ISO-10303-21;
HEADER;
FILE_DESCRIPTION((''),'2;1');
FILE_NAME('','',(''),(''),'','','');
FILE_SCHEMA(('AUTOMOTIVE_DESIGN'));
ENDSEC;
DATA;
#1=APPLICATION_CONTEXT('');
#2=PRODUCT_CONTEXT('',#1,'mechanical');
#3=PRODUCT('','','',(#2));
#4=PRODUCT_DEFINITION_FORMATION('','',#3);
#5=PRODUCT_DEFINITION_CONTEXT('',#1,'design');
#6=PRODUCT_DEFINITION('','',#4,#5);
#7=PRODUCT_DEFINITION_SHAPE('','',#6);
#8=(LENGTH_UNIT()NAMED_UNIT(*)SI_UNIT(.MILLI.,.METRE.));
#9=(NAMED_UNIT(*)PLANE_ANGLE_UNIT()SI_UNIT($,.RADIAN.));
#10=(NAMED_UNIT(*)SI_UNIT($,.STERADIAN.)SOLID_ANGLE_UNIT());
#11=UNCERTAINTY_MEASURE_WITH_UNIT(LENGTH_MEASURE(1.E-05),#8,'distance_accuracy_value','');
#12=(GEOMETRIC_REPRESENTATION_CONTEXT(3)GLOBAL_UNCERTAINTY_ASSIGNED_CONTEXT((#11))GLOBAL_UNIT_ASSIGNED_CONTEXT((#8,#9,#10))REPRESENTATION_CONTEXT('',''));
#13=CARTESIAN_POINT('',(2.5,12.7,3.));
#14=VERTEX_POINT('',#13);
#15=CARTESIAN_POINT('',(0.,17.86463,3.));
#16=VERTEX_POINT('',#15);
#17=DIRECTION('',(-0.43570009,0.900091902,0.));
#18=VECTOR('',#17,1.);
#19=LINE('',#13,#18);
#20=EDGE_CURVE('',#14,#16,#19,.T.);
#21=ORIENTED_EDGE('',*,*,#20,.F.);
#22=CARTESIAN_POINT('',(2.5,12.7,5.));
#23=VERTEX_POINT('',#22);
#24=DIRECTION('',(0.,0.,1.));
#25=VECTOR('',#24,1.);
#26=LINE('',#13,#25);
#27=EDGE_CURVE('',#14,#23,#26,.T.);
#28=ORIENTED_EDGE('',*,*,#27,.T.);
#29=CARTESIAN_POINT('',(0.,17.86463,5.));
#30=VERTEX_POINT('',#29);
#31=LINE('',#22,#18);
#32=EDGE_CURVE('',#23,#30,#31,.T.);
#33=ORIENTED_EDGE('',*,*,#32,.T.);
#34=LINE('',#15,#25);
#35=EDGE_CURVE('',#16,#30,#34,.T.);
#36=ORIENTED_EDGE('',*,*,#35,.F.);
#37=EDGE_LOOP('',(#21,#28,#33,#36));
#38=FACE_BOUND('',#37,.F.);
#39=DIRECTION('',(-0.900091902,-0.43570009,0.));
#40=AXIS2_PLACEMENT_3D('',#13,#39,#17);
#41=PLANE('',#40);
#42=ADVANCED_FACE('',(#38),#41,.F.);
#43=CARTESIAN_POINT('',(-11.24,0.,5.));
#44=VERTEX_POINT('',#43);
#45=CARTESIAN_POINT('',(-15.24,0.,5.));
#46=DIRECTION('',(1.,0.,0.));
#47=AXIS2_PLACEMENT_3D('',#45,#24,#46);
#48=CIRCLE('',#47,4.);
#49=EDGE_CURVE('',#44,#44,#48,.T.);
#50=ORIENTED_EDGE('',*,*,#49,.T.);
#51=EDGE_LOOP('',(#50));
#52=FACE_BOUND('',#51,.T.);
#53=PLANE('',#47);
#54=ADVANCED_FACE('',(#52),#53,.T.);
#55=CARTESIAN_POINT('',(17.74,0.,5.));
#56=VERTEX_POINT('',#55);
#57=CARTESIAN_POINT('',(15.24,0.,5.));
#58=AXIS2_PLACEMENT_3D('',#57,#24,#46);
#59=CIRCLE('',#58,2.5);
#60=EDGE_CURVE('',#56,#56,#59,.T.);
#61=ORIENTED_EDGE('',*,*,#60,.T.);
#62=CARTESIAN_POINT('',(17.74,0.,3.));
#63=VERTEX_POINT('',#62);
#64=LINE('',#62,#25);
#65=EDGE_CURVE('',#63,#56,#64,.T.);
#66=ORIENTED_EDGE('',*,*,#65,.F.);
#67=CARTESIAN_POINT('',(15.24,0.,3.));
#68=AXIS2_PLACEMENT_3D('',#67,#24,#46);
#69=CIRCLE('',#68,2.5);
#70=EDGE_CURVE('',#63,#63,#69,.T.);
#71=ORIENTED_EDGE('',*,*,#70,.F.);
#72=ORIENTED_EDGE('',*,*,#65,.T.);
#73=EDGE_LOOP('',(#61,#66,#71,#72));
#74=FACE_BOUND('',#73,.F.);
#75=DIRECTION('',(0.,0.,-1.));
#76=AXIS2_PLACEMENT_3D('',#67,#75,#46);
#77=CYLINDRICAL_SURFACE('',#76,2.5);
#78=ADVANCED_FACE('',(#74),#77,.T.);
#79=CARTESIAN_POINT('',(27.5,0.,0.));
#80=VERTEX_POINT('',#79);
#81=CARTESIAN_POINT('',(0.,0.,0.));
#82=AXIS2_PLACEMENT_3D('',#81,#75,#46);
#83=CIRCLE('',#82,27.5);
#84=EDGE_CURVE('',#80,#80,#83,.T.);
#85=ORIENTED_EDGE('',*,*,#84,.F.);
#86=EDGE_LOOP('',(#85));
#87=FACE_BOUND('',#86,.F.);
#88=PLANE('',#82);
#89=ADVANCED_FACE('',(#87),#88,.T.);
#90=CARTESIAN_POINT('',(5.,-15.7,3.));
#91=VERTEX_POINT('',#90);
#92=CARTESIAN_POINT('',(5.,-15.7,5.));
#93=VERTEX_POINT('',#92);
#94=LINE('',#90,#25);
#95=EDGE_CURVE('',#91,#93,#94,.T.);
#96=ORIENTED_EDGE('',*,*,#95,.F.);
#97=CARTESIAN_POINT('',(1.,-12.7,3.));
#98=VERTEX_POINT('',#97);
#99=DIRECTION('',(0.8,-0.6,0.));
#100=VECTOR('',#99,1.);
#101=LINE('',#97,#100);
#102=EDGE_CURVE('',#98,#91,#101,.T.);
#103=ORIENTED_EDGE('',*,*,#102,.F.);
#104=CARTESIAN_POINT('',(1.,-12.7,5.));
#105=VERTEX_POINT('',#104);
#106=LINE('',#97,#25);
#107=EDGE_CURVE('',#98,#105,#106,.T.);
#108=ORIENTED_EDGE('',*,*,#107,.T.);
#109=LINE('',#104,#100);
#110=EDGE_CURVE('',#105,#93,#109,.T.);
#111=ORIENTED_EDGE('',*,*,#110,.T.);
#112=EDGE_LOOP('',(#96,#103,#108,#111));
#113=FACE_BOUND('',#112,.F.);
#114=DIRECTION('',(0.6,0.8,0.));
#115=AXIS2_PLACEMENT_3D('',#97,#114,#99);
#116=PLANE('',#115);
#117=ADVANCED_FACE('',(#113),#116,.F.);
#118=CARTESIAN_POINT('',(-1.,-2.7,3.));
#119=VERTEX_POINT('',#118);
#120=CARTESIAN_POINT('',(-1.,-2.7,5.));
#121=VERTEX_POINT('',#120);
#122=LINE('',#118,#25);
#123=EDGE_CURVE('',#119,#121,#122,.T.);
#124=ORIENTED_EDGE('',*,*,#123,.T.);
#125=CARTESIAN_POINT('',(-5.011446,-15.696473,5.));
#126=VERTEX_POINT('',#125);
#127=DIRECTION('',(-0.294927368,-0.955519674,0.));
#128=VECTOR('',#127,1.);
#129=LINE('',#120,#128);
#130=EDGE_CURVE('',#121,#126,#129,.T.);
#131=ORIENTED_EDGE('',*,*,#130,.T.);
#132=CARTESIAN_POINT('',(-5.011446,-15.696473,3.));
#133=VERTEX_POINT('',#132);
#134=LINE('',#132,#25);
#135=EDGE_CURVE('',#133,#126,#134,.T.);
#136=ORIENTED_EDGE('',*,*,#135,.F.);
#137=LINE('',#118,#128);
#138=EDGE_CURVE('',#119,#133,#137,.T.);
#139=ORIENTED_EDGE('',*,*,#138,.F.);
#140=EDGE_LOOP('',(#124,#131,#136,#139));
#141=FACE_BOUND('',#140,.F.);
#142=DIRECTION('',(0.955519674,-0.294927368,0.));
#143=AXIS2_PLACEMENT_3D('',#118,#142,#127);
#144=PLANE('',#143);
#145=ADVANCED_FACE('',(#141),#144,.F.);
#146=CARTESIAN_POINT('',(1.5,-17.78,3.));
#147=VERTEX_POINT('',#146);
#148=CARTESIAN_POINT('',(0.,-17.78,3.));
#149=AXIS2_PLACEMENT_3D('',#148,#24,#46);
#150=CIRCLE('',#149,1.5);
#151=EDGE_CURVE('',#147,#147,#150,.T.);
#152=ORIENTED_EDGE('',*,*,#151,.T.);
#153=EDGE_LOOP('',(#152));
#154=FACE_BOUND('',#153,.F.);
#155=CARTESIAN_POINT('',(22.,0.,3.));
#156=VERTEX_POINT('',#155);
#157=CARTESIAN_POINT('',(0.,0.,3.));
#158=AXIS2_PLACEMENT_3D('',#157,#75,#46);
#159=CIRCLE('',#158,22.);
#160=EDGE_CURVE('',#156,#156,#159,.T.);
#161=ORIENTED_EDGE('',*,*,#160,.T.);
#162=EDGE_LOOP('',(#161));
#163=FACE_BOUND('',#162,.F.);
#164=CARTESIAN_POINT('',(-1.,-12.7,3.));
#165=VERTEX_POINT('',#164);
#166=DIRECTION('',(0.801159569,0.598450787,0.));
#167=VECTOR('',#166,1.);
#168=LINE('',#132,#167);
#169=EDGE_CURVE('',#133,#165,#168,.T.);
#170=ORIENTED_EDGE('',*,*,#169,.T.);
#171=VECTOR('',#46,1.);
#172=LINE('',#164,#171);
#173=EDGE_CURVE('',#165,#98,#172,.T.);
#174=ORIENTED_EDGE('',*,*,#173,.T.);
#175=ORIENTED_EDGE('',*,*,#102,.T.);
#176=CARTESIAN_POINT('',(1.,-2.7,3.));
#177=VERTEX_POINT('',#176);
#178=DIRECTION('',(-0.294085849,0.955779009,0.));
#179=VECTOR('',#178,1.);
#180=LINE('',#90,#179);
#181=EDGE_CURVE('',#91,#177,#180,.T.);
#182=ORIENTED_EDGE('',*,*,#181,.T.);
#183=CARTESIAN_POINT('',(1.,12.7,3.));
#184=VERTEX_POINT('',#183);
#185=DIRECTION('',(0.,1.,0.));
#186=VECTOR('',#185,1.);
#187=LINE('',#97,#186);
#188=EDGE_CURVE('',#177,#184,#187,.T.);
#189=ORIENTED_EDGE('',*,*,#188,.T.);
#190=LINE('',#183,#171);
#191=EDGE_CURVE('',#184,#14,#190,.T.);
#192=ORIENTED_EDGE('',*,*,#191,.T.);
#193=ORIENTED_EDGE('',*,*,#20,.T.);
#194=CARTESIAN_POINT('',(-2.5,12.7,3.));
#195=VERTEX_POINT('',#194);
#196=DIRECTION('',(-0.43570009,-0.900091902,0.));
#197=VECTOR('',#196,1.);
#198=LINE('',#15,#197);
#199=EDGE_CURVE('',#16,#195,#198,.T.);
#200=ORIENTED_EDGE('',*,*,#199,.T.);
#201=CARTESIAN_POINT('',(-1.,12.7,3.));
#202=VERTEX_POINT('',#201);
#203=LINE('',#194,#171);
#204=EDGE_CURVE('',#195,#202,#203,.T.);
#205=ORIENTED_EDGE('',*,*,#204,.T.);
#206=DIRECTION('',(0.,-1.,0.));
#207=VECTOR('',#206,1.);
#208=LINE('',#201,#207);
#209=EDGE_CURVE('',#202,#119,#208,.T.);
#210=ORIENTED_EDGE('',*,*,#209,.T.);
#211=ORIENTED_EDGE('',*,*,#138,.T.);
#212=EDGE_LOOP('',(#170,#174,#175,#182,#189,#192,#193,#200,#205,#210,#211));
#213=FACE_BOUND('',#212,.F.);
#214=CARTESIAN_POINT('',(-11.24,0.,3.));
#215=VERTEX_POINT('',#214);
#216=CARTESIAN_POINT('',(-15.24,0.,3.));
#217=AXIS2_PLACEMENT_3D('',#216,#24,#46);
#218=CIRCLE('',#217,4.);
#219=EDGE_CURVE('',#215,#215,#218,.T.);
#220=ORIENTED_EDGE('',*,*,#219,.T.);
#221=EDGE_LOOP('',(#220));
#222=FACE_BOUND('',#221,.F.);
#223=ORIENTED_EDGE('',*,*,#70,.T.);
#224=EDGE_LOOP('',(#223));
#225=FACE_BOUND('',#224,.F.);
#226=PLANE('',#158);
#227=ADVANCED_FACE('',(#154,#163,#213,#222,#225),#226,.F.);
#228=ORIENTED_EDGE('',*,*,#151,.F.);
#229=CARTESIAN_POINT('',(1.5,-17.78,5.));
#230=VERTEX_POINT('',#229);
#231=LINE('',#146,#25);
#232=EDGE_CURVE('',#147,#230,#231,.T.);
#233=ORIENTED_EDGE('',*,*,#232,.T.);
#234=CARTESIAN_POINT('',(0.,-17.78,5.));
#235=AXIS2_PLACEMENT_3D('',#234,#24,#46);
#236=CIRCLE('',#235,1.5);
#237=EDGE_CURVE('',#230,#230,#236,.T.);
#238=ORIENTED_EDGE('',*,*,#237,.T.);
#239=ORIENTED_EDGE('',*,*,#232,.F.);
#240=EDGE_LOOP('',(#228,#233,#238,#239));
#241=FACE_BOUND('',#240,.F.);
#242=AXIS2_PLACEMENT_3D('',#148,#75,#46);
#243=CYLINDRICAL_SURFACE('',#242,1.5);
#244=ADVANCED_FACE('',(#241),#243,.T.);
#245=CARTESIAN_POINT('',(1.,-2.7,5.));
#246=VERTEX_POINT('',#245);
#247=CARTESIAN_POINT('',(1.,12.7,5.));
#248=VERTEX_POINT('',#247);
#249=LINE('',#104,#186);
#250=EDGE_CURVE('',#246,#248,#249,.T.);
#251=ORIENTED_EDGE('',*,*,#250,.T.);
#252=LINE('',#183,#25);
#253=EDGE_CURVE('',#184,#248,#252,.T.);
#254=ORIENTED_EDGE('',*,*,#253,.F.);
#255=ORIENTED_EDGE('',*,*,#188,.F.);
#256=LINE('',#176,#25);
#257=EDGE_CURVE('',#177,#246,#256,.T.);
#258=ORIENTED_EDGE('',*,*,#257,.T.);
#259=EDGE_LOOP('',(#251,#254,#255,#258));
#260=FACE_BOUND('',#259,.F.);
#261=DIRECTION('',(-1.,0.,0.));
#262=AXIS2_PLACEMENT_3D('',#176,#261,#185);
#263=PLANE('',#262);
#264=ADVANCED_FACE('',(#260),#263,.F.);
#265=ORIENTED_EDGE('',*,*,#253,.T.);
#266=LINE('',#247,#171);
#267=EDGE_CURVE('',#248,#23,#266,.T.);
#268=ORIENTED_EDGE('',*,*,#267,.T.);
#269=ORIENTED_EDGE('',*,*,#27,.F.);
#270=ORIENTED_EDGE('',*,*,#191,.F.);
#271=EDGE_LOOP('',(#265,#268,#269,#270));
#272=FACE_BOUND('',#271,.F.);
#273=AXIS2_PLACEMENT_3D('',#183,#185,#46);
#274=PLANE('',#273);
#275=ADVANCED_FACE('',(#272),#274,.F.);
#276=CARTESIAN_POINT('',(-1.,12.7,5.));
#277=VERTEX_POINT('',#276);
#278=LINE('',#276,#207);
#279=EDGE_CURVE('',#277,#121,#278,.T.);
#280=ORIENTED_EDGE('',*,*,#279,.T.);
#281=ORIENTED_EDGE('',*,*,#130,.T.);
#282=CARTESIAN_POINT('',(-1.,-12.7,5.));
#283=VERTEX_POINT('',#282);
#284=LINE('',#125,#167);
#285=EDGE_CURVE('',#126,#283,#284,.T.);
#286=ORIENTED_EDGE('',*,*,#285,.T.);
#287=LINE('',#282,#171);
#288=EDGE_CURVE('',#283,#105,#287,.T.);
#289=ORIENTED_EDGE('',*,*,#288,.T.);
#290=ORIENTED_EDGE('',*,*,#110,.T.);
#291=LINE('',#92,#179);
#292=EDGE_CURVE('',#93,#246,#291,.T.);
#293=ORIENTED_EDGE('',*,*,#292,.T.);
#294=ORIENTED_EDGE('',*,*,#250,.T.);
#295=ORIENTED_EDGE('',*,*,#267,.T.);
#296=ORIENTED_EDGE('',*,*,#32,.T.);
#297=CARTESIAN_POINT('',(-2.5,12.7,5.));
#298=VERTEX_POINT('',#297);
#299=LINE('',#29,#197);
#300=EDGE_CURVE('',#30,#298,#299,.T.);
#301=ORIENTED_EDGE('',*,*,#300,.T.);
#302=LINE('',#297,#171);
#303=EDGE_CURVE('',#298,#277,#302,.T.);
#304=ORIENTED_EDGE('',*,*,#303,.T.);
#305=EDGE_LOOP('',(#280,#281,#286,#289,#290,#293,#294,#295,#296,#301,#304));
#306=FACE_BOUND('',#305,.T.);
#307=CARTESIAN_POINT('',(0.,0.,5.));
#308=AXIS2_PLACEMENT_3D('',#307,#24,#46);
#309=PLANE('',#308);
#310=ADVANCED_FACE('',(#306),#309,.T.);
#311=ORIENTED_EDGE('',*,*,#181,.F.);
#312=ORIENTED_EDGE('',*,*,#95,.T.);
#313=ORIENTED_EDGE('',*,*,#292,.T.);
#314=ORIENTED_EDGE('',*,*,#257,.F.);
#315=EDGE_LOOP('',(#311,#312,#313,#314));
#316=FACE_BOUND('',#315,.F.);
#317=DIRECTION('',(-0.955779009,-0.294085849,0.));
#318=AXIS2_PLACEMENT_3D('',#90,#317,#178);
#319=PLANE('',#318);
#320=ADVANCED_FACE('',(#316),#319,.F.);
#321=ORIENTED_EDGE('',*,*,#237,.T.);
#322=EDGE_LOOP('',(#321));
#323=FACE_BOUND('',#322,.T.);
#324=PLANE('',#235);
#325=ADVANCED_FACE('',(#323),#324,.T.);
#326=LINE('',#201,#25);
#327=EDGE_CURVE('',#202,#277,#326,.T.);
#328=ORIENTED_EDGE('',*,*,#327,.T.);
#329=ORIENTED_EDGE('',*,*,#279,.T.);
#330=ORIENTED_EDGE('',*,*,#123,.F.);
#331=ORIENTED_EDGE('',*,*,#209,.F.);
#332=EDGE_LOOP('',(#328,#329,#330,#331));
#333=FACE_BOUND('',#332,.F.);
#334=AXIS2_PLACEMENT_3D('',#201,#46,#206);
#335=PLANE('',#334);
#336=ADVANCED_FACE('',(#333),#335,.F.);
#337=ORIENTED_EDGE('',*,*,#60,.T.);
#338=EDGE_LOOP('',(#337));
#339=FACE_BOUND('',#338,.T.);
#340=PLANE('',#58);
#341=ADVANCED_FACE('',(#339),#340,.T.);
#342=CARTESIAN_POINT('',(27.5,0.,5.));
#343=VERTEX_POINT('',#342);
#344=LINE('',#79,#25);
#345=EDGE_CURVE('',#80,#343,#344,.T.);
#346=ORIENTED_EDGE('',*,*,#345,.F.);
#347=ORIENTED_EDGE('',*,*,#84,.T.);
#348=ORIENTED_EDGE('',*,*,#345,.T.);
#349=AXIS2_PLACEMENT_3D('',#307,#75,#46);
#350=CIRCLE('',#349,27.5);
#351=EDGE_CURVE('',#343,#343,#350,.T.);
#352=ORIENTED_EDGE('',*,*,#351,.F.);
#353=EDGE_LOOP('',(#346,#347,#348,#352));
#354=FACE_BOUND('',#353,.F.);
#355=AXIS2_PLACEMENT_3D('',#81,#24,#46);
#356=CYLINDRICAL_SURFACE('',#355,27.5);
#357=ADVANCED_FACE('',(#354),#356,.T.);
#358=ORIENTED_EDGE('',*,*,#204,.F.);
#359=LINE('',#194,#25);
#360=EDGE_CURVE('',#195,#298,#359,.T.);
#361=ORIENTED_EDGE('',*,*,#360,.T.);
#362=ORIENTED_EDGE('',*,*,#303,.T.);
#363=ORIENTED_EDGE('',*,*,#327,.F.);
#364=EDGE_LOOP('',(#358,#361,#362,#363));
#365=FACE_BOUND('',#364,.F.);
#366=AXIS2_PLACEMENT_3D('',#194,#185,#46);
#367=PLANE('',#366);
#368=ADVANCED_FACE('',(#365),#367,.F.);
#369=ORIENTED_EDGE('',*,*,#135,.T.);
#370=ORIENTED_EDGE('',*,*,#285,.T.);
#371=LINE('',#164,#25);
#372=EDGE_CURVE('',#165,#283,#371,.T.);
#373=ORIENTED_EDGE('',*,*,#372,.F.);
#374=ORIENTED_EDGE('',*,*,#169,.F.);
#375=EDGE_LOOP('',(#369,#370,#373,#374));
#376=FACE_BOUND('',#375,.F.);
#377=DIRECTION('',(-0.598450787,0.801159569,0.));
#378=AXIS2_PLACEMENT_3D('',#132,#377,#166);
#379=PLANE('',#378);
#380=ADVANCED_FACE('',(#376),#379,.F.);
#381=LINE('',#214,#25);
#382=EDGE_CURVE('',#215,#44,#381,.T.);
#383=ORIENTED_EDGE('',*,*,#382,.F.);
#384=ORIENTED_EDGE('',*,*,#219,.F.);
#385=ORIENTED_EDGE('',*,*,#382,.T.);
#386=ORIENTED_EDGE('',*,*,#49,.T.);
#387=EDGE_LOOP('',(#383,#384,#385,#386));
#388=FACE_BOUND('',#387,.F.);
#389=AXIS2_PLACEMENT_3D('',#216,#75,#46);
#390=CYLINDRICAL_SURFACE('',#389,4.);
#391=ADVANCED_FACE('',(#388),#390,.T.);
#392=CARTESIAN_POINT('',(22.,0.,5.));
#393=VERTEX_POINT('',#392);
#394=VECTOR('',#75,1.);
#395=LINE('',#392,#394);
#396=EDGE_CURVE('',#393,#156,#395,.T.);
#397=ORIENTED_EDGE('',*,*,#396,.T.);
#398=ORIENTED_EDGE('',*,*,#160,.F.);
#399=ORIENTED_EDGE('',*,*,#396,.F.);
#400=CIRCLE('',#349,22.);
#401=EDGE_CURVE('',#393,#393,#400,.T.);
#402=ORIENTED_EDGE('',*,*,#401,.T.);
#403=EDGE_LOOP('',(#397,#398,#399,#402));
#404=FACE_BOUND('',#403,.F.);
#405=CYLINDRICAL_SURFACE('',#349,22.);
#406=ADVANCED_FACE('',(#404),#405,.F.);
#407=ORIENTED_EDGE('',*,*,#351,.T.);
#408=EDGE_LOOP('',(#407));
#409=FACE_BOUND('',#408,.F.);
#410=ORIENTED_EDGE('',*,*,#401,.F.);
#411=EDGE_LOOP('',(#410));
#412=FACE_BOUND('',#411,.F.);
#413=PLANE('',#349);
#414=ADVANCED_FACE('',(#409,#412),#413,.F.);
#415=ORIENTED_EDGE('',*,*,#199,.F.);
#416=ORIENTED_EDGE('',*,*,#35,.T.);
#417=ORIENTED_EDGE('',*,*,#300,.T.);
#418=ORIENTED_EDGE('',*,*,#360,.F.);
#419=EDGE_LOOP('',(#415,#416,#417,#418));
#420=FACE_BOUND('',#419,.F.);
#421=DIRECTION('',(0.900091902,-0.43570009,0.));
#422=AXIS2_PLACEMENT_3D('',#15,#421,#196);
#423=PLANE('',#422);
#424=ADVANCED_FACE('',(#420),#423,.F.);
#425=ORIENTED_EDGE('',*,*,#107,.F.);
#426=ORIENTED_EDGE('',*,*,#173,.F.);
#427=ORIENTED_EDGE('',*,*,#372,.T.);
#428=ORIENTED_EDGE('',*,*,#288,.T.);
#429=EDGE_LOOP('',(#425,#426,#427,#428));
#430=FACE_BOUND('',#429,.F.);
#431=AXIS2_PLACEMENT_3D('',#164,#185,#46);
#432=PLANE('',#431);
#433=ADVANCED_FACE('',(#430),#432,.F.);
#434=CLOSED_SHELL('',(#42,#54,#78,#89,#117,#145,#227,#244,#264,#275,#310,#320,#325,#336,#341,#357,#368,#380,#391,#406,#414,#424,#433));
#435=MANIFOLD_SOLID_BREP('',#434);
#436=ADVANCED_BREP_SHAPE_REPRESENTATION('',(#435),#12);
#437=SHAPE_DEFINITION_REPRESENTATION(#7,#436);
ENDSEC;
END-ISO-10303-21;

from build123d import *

# Parameters (mm, degrees)
F2_R     = 4
F2_R_2   = 2.5
F2_R_3   = 1.5
F3_DEPTH = 2


with BuildPart() as f1:
    # F0 (on Front) → F1 (revolve)
    with BuildSketch(Plane.XZ):
        Polygon((0, 3), (0, 0), (27.5, 0), (27.5, 5), (22, 5), (22, 3), align=None)
    revolve(axis=Axis((0, 0, 2.453458), (0, 0, -1)))

    # F2 (on face) → F3 (join, through all)
    with BuildSketch(Plane.XY.offset(3)):
        Polygon((1, -2.7), (1, 12.7), (-1, 12.7), (-1, -2.7), (-1, -12.7), (1, -12.7), align=None)
        Polygon((-1, 12.7), (1, 12.7), (2.5, 12.7), (0, 17.86463), (-2.5, 12.7), align=None)
        Polygon((5, -15.7), (1, -2.7), (1, -12.7), align=None)
        Polygon((-1, -12.7), (-1, -2.7), (-5.011446, -15.696473), align=None)
        with Locations((-15.24, 0)):
            Circle(F2_R)
        with Locations((15.24, 0)):
            Circle(F2_R_2)
        with Locations((0, -17.78)):
            Circle(F2_R_3)
    extrude(amount=F3_DEPTH)


solid = f1.part
